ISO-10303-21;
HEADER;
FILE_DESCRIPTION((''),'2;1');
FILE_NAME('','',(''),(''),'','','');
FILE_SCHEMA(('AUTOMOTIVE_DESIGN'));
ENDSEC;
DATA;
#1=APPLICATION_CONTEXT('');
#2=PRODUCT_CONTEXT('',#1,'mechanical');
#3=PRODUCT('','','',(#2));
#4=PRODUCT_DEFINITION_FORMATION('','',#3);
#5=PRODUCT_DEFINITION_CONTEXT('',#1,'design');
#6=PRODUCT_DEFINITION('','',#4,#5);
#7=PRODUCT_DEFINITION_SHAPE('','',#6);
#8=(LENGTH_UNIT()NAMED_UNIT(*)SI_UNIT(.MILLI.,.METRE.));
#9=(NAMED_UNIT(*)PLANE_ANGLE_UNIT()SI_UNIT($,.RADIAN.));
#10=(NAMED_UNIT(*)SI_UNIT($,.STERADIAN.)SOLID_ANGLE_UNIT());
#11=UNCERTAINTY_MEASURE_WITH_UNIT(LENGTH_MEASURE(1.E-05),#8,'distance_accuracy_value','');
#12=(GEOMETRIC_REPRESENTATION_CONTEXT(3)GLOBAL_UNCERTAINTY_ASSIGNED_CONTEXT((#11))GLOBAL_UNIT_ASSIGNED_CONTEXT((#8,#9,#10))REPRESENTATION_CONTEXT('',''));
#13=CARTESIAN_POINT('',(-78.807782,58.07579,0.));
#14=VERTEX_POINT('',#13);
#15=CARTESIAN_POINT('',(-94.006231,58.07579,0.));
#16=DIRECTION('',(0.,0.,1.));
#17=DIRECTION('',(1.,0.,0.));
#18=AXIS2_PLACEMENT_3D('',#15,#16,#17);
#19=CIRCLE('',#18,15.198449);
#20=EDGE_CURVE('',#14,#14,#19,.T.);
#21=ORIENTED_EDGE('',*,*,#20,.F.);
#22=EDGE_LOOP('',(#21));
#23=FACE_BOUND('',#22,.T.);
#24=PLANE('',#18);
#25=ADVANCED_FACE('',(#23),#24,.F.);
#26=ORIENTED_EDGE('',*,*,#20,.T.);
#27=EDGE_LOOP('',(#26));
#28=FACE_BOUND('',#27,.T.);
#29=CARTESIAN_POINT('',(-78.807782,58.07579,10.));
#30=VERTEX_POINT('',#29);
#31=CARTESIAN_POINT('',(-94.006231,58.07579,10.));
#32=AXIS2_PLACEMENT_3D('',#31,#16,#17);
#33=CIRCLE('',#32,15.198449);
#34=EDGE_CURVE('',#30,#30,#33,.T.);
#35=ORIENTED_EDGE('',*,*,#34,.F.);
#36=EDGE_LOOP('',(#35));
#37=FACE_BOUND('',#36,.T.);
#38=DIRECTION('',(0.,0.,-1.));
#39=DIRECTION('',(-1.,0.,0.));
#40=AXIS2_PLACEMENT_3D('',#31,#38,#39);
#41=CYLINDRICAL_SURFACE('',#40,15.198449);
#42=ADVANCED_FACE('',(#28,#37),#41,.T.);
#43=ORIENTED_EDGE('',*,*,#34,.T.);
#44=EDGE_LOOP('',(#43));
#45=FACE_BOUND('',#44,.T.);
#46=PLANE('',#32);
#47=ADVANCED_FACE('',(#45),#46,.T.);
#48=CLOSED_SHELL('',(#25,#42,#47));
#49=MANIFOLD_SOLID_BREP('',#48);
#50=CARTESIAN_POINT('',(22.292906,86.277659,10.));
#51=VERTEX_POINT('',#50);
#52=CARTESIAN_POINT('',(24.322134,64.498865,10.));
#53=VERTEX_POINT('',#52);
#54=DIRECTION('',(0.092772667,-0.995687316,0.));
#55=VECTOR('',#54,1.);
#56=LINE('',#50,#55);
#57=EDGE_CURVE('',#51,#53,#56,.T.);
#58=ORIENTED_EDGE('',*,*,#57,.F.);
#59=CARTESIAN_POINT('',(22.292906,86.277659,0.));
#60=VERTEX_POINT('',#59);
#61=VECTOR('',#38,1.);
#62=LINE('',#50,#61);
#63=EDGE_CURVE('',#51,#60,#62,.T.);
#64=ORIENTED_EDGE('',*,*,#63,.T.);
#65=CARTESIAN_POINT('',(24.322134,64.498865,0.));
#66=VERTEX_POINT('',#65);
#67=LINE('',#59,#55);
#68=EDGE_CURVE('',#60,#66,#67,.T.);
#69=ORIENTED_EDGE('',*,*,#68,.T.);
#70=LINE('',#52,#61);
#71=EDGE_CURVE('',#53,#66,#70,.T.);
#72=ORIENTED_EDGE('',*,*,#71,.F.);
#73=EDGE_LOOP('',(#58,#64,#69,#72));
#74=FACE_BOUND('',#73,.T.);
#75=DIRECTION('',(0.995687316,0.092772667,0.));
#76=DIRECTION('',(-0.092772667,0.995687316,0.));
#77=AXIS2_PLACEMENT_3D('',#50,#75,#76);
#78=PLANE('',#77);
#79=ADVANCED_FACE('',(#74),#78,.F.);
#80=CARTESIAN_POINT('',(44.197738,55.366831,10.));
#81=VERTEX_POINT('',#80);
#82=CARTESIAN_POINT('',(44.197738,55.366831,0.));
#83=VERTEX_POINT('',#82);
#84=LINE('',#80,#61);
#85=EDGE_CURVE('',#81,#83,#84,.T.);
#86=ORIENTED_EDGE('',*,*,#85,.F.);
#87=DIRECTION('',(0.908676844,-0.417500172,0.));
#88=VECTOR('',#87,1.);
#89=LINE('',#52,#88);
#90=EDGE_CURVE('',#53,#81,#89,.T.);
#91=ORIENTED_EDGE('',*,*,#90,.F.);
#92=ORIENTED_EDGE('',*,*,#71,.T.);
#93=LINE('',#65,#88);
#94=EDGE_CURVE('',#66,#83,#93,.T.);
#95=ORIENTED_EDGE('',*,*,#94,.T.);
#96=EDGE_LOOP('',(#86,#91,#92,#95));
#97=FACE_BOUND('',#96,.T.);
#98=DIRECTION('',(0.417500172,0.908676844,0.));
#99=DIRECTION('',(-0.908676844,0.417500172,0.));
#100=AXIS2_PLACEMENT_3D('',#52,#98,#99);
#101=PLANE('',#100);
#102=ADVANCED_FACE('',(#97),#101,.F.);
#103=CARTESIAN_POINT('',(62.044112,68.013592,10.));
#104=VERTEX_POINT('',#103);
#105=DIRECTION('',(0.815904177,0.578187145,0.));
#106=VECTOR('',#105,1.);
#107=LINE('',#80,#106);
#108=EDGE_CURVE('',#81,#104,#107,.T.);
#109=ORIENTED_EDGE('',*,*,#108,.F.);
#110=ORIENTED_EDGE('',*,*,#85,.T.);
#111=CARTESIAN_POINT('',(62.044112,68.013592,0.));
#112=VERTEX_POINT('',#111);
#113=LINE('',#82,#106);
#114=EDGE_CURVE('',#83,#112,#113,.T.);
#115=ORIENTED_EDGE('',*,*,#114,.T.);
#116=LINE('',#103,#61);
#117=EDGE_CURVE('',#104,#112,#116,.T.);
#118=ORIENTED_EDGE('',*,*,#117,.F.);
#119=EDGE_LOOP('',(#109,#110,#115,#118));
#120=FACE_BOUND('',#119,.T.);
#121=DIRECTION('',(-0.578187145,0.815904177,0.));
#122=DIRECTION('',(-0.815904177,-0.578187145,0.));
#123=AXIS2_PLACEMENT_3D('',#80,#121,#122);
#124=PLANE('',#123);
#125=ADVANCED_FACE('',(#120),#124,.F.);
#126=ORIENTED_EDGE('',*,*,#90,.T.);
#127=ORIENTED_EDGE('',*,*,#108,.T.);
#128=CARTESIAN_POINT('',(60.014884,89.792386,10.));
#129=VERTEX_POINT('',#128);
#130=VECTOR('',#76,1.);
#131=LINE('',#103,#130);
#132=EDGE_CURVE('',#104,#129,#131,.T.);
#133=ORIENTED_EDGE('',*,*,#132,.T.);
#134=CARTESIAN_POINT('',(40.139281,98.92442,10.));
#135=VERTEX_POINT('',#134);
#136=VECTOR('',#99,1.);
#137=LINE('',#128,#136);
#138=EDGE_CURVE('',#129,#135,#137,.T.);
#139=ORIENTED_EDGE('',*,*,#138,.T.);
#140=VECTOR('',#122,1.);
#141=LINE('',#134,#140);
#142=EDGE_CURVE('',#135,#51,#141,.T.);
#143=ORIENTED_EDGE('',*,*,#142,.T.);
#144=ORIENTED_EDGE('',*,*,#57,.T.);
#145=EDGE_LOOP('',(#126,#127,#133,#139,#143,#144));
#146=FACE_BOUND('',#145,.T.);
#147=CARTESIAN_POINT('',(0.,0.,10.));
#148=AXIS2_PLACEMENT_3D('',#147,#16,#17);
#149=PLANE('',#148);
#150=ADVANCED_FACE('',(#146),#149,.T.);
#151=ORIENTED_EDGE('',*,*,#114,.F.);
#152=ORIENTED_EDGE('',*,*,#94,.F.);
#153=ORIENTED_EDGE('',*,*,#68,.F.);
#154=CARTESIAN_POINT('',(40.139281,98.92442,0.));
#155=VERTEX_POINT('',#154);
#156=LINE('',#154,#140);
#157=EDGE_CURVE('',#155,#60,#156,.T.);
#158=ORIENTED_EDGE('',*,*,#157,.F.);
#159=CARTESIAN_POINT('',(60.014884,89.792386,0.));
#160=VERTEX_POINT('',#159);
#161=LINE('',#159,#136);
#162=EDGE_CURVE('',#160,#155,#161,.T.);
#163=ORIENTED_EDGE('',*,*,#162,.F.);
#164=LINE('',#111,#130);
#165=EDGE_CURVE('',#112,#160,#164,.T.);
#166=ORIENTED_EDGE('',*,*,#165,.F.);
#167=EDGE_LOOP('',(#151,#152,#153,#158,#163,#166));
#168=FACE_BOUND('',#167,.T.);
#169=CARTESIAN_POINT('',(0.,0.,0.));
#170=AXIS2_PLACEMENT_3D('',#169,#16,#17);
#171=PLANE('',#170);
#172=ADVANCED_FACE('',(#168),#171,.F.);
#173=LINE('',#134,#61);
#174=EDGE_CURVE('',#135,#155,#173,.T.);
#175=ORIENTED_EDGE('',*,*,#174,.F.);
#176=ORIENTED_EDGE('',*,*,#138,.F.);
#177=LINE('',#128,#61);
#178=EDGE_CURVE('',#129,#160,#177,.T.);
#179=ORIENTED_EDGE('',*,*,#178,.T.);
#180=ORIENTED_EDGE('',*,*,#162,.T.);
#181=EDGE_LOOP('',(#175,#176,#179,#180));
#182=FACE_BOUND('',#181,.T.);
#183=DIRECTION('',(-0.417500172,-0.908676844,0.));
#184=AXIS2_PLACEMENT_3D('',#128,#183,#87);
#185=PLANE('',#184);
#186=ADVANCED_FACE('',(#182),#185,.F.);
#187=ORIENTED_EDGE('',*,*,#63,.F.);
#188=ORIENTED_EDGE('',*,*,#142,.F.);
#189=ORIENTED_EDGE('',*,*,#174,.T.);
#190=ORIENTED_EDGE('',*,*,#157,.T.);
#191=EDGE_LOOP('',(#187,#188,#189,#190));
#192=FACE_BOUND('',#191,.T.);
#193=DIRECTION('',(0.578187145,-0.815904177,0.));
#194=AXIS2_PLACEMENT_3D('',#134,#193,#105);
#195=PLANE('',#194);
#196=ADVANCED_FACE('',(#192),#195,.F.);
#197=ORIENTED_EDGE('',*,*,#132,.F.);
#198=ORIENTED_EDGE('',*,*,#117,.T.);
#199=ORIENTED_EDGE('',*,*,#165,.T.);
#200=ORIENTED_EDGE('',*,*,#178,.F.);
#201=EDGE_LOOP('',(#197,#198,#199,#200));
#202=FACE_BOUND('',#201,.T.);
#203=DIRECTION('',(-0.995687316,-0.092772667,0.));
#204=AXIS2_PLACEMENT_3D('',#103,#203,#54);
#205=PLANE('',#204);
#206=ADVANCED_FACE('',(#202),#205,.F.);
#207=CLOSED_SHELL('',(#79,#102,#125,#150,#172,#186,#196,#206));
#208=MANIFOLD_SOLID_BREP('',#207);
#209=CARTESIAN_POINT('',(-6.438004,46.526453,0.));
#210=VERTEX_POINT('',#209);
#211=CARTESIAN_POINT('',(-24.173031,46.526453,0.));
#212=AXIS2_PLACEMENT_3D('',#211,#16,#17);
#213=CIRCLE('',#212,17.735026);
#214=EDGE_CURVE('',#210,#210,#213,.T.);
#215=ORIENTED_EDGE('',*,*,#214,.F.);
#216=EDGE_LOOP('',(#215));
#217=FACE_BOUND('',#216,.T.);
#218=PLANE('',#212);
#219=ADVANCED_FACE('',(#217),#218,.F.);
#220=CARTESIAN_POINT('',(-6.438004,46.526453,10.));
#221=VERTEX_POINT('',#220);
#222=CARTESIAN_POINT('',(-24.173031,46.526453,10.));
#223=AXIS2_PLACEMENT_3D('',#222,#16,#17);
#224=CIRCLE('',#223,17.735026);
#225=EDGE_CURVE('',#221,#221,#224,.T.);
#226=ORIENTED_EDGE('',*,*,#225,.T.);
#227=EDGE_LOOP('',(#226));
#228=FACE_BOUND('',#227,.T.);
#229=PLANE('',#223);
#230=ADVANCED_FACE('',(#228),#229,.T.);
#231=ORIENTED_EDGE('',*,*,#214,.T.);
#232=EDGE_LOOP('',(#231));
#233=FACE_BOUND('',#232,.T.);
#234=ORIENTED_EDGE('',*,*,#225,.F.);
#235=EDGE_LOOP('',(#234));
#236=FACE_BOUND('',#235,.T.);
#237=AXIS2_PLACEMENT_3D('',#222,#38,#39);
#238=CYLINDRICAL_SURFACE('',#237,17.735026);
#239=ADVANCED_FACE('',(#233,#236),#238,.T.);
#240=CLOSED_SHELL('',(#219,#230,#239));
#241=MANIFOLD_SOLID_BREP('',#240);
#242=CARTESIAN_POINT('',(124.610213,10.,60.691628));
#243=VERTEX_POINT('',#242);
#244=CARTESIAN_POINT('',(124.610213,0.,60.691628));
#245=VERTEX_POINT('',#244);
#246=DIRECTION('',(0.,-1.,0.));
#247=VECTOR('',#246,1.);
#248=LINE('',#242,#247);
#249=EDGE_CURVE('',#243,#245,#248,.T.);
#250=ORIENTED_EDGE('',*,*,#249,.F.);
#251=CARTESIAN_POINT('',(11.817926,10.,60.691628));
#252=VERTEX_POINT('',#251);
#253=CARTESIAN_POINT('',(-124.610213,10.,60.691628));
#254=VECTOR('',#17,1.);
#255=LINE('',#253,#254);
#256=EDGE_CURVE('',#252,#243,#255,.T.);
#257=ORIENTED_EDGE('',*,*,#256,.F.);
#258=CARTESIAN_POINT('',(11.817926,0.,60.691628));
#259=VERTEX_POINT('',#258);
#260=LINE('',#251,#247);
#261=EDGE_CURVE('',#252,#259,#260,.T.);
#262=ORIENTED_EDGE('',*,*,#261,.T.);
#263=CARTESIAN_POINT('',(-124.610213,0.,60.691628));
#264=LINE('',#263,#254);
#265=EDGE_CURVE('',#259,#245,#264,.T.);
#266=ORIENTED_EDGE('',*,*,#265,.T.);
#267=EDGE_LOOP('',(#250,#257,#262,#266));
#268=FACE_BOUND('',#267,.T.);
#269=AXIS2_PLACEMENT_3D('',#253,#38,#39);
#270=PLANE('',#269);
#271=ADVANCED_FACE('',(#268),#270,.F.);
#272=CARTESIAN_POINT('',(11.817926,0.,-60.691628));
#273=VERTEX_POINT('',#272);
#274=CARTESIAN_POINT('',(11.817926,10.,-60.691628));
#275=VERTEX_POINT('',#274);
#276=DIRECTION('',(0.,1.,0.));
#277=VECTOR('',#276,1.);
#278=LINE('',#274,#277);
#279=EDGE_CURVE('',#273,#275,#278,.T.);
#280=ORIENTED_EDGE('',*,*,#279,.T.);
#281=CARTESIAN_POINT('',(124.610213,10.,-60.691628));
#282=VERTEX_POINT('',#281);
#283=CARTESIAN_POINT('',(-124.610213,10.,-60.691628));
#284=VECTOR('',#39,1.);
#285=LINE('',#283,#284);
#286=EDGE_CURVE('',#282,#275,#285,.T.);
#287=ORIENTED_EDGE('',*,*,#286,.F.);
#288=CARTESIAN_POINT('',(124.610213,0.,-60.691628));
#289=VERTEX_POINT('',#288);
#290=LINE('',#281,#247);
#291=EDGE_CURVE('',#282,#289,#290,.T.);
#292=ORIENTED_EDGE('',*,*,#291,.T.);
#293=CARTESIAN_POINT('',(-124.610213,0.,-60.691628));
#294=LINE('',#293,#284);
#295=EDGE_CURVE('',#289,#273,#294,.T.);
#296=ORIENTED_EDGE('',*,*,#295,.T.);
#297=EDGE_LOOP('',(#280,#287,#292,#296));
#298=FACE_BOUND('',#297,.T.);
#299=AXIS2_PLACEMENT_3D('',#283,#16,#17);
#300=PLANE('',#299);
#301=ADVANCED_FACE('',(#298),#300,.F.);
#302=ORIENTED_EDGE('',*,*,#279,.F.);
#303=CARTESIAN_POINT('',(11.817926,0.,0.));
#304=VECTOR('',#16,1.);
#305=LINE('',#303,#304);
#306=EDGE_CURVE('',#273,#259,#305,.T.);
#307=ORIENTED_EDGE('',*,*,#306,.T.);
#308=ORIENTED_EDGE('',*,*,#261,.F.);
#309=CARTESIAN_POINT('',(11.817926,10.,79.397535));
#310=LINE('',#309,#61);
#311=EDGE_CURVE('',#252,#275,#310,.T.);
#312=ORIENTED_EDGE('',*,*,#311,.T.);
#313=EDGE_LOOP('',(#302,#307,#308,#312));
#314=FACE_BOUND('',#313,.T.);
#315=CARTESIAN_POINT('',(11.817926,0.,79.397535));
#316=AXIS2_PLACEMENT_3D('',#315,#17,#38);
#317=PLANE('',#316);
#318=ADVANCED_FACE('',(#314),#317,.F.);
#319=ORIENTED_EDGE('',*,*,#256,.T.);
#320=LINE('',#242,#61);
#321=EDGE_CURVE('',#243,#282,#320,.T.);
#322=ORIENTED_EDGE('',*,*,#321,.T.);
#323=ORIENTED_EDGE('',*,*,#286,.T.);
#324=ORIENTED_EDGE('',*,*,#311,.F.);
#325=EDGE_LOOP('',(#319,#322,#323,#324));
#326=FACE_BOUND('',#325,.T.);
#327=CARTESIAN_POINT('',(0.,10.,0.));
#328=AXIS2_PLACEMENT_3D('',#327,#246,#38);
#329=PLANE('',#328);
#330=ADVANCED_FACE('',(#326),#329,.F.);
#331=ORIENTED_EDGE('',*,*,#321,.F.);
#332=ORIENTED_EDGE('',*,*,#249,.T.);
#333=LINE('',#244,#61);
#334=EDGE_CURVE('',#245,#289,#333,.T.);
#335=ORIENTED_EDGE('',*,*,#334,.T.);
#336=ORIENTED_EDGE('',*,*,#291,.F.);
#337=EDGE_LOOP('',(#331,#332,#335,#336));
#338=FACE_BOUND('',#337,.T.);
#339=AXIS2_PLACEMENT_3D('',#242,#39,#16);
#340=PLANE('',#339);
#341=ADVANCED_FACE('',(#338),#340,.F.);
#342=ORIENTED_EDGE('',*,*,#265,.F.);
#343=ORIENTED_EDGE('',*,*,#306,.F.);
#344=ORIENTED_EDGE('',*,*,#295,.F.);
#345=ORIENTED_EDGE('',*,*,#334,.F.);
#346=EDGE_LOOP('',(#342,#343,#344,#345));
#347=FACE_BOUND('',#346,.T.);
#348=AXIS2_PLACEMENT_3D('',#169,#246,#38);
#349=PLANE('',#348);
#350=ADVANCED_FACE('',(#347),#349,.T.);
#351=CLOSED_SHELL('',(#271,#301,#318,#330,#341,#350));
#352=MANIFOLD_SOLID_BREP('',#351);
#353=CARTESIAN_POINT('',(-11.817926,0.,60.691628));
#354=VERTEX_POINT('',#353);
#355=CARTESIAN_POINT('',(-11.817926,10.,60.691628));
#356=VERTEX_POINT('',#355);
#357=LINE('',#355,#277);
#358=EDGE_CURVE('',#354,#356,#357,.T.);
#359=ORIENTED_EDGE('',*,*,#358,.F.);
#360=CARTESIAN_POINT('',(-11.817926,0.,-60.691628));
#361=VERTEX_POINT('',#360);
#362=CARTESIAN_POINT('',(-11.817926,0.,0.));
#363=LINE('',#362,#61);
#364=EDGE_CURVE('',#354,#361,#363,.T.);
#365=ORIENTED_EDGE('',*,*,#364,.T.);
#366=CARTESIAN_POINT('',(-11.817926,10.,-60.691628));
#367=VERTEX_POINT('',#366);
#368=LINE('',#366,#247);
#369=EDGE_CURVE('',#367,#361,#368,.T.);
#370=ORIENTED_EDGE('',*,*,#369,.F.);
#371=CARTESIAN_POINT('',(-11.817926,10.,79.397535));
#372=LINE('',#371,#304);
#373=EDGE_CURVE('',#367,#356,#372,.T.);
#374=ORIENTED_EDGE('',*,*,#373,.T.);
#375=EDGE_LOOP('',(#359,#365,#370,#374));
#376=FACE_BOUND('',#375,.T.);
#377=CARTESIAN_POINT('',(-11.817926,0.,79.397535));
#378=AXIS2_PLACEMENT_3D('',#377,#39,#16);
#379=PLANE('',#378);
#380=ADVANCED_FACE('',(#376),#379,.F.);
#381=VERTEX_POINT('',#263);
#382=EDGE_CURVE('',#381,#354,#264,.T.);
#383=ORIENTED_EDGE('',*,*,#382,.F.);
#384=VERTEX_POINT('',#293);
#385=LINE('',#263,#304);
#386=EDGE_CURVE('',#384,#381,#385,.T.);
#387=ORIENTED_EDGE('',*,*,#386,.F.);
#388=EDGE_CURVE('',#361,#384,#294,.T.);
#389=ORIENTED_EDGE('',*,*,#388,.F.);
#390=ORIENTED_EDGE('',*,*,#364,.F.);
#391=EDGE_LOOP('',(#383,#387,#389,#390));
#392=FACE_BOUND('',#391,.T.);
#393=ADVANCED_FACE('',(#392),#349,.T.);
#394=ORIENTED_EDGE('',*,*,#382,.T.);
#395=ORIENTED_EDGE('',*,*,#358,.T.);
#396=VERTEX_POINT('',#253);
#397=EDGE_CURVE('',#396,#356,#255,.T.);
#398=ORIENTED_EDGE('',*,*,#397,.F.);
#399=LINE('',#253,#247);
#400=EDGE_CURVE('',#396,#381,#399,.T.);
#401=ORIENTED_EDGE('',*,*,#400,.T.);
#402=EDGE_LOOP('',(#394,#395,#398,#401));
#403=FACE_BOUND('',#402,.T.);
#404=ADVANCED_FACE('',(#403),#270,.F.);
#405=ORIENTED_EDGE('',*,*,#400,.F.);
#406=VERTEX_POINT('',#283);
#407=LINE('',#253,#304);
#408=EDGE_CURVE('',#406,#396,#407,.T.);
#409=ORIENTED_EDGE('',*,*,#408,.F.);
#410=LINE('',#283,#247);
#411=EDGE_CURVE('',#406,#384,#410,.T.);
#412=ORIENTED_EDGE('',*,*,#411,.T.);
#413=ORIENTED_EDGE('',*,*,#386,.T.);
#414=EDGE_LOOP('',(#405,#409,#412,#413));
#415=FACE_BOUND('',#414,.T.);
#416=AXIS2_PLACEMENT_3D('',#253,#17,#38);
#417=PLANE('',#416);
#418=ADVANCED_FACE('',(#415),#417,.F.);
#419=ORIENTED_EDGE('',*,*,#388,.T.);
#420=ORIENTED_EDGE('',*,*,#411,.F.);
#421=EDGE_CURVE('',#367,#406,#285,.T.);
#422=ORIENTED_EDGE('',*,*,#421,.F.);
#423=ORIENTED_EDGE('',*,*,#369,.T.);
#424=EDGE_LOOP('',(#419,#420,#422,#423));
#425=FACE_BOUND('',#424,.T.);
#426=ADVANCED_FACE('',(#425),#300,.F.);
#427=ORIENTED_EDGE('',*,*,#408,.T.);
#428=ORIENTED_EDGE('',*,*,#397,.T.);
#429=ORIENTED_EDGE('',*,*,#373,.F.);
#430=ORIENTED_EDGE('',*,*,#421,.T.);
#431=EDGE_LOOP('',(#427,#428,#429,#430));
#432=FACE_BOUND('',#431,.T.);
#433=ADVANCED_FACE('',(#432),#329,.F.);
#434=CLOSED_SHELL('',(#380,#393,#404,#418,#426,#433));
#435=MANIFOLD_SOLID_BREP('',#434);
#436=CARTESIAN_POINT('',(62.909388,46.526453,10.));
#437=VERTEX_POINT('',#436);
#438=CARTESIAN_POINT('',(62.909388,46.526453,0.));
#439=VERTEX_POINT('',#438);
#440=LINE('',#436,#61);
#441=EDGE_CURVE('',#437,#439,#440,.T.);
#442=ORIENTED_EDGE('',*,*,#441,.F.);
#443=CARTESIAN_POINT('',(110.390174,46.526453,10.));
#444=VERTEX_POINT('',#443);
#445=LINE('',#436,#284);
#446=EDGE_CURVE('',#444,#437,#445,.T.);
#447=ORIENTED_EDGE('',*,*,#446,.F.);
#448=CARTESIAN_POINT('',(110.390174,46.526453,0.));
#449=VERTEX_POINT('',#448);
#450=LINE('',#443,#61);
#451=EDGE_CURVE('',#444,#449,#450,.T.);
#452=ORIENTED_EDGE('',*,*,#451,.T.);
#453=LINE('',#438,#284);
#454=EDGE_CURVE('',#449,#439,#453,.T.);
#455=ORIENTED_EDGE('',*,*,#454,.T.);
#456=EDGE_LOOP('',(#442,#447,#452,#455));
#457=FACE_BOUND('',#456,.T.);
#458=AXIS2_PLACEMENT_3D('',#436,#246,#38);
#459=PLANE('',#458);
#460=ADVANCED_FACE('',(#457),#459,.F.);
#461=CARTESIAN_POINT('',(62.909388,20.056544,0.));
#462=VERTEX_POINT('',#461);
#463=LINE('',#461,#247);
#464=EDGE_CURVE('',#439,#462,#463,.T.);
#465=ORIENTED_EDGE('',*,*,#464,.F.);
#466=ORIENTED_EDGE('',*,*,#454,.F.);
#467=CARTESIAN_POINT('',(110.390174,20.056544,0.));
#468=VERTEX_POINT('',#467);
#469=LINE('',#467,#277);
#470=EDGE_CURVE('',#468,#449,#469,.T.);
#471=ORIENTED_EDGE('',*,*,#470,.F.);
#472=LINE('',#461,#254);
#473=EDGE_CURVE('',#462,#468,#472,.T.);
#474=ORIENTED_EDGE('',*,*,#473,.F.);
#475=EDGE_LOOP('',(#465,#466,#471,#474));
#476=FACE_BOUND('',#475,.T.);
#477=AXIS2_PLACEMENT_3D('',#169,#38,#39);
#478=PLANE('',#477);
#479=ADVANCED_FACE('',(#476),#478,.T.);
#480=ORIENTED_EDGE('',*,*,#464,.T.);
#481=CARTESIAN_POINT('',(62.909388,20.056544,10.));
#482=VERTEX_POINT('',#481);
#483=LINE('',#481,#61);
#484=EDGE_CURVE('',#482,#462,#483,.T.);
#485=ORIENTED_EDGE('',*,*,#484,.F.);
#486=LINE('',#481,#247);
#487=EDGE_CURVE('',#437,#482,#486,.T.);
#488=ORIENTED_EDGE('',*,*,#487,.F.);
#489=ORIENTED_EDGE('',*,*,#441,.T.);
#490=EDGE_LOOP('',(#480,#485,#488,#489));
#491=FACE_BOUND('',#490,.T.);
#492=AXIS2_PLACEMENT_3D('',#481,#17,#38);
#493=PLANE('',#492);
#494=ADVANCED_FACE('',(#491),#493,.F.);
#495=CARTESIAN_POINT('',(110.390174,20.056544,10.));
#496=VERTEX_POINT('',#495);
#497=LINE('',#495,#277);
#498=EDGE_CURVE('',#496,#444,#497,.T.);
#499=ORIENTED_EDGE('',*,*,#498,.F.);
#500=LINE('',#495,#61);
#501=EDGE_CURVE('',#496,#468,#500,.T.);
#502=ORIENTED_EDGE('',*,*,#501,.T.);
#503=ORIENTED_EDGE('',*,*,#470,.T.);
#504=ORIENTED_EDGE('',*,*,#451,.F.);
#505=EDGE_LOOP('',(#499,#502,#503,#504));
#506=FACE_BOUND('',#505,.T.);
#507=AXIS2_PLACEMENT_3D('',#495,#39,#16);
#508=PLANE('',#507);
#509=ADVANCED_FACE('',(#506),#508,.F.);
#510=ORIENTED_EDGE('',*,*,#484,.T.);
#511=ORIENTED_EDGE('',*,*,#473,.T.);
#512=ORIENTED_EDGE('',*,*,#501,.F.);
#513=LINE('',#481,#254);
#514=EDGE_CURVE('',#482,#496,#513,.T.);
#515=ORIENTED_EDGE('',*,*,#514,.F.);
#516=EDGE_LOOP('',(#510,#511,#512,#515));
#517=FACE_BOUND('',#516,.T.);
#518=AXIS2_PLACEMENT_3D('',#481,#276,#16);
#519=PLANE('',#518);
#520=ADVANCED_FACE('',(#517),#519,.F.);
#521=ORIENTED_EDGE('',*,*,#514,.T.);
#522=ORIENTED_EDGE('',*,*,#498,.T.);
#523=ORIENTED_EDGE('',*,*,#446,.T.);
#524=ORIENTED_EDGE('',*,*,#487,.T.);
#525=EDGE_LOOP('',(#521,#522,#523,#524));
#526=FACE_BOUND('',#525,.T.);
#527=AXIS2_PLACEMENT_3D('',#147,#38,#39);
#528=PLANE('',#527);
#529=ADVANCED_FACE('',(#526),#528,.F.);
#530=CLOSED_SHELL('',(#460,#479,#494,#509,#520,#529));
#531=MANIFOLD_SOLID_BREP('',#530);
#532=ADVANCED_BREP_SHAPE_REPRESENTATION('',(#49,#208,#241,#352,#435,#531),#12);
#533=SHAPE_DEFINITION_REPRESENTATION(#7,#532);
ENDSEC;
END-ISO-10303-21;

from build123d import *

# Parameters (mm, degrees)
SKETCH1_W             = 249.220426788
SKETCH1_H             = 121.383255676
BOSS_EXTRUDE1_DEPTH   = 10
SKETCH2_W             = 23.635852348
SKETCH2_H             = 158.79506956
CUT_EXTRUDE1_DEPTH    = 139.96466807
SKETCH3_R             = 15.19844863
BOSS_EXTRUDE2_DEPTH   = 10
SKETCH3_R_2           = 17.73502646
BOSS_EXTRUDE2_2_DEPTH = 10
BOSS_EXTRUDE2_3_DEPTH = 10
SKETCH3_W             = 47.480785839
SKETCH3_H             = 26.469909154
BOSS_EXTRUDE2_4_DEPTH = 10


with BuildPart() as part:
    # Sketch1 → Boss-Extrude1 (new body)
    with BuildSketch(Plane(origin=(0, 0, 0), x_dir=(1, 0, 0), z_dir=(0, 1, 0))):
        Rectangle(SKETCH1_W, SKETCH1_H)
    extrude(amount=BOSS_EXTRUDE1_DEPTH)

    # Sketch2 → Cut-Extrude1 (cut, through all)
    with BuildSketch(Plane(origin=(0, 10, 0), x_dir=(1, 0, 0), z_dir=(0, 1, 0))):
        Rectangle(SKETCH2_W, SKETCH2_H)
    extrude(amount=-CUT_EXTRUDE1_DEPTH, mode=Mode.SUBTRACT)


with BuildPart() as cut_extrude1_piece_1:
    # of the separate pieces the step leaves, piece 1, a body of its own (cut_extrude1_pieces)
    add(part.part.solids().sort_by_distance((-124.610213394, 0, 60.691627838))[0])


with BuildPart() as cut_extrude1_piece_2:
    # of the separate pieces the step leaves, piece 2, a body of its own (cut_extrude1_pieces)
    add(part.part.solids().sort_by_distance((11.817926174, 0, 60.691627838))[0])


with BuildPart() as body_3:
    # Sketch3 → Boss-Extrude2 (new body)
    with BuildSketch(Plane.XY):
        with Locations((-94.006230926, 58.075790121)):
            Circle(SKETCH3_R)
    extrude(amount=BOSS_EXTRUDE2_DEPTH)


with BuildPart() as body_4:
    # Sketch3 → Boss-Extrude2 2 (new body)
    with BuildSketch(Plane.XY):
        with Locations((-24.173030809, 46.526453179)):
            Circle(SKETCH3_R_2)
    extrude(amount=BOSS_EXTRUDE2_2_DEPTH)


with BuildPart() as body_5:
    # Sketch3 → Boss-Extrude2 3 (new body)
    with BuildSketch(Plane.XY):
        Polygon((62.044112411, 68.013591676), (60.014884168, 89.792385816), (40.139281058, 98.924419677), (22.292906191, 86.277659399), (24.322134434, 64.498865259), (44.197737544, 55.366831398), align=None)
    extrude(amount=BOSS_EXTRUDE2_3_DEPTH)


with BuildPart() as body_6:
    # Sketch3 → Boss-Extrude2 4 (new body)
    with BuildSketch(Plane.XY):
        with Locations((86.649781111, 33.291498602)):
            Rectangle(SKETCH3_W, SKETCH3_H)
    extrude(amount=BOSS_EXTRUDE2_4_DEPTH)


solid = Compound([cut_extrude1_piece_1.part, cut_extrude1_piece_2.part, body_3.part, body_4.part, body_5.part, body_6.part])
